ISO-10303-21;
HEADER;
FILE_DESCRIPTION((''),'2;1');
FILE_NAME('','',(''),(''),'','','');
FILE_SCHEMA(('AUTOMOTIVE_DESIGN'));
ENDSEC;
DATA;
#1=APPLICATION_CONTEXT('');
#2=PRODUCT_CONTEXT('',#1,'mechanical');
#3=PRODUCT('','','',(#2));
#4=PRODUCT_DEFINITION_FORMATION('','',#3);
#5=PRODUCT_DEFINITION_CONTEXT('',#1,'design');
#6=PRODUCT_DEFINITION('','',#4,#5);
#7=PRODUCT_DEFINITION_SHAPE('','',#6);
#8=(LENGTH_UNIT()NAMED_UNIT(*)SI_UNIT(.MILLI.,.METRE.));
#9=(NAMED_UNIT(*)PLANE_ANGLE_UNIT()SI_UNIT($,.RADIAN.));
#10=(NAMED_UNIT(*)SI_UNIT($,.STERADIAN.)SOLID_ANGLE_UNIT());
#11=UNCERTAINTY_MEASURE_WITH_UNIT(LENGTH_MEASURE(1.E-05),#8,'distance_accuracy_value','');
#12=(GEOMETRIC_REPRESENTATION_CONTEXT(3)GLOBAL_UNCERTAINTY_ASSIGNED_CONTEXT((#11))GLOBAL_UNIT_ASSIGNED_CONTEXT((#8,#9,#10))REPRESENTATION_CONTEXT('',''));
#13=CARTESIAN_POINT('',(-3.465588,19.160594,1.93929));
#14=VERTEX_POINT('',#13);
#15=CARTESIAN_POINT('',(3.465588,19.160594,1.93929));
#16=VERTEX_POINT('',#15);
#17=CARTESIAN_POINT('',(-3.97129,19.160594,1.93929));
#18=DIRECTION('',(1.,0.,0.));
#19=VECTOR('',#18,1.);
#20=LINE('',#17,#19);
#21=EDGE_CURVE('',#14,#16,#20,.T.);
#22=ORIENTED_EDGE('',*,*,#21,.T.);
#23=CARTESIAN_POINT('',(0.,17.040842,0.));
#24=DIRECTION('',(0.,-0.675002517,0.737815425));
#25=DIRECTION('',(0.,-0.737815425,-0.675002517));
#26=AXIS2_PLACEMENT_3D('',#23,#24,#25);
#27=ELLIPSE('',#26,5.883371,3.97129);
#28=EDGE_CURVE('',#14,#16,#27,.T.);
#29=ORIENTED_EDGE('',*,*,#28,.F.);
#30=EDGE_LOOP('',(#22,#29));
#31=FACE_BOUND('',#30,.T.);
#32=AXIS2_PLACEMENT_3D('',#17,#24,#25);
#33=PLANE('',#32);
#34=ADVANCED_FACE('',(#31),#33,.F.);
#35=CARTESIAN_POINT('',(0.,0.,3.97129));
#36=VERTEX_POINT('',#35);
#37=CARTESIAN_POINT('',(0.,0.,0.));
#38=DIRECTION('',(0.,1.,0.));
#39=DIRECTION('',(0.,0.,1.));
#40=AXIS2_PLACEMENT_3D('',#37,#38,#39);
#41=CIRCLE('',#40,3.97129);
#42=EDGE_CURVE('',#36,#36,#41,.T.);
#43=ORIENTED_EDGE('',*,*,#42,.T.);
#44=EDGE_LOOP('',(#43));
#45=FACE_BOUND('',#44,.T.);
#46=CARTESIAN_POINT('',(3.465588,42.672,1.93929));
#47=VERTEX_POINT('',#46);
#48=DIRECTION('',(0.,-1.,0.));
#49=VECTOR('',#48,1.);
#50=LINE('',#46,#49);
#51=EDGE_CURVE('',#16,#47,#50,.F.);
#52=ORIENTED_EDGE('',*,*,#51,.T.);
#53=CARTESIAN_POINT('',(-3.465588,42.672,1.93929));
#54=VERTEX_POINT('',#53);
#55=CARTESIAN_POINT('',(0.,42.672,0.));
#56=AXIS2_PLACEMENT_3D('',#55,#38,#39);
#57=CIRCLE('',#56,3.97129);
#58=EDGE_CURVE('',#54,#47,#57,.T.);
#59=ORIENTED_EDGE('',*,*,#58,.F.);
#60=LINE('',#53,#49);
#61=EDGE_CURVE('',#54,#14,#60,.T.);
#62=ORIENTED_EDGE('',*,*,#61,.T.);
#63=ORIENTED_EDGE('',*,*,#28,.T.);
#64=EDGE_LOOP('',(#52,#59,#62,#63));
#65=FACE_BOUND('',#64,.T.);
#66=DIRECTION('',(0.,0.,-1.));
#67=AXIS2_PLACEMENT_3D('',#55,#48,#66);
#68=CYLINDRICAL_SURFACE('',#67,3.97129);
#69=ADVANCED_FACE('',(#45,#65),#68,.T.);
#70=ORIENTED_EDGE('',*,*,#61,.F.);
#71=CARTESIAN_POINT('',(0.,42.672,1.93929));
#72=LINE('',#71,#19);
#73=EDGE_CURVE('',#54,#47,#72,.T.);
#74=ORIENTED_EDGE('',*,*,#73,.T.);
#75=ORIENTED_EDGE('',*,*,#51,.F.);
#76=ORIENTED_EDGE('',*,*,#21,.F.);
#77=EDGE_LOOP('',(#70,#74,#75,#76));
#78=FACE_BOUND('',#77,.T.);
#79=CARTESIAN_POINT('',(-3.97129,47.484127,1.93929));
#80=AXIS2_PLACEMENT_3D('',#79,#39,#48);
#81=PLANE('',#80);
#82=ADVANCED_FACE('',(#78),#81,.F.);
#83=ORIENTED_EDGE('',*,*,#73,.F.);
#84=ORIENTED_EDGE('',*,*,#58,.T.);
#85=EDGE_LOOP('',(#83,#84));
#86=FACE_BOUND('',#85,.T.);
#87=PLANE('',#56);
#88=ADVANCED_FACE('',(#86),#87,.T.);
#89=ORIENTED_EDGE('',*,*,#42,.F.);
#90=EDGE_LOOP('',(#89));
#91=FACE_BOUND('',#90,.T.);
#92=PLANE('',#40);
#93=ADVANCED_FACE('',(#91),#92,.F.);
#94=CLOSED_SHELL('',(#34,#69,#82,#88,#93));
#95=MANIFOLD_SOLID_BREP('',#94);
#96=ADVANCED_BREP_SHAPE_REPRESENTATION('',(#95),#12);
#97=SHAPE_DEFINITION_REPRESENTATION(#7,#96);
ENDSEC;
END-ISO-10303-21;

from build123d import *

# Parameters (mm, degrees)
SKETCH1_R               = 3.97129
BOSS_EXTRUDE1_DEPTH     = 42.672
CUT_EXTRUDE1_DEPTH      = 44.040003166
CUT_EXTRUDE1_DEPTH_BACK = 44.040003166


with BuildPart() as part:
    # Sketch1 → Boss-Extrude1 (new body)
    with BuildSketch(Plane(origin=(0, 0, 0), x_dir=(1, 0, 0), z_dir=(0, 1, 0))):
        with Locations(Location((0, 0, 0), (0, 0, 270))):
            Circle(SKETCH1_R)
    extrude(amount=BOSS_EXTRUDE1_DEPTH)

    # Sketch2 → Cut-Extrude1 (cut, two sides: drawn at the far end of the back side and taken through both)
    with BuildSketch(Plane(origin=(0, 0, 0), x_dir=(0, 0, -1), z_dir=(1, 0, 0)).offset(-CUT_EXTRUDE1_DEPTH_BACK)):
        Polygon((-1.93929, 47.484126656), (-1.93929, 19.160593828), (3.97129, 12.7), (3.97129, 47.484126656), align=None)
    extrude(amount=CUT_EXTRUDE1_DEPTH + CUT_EXTRUDE1_DEPTH_BACK, mode=Mode.SUBTRACT)


solid = part.part
